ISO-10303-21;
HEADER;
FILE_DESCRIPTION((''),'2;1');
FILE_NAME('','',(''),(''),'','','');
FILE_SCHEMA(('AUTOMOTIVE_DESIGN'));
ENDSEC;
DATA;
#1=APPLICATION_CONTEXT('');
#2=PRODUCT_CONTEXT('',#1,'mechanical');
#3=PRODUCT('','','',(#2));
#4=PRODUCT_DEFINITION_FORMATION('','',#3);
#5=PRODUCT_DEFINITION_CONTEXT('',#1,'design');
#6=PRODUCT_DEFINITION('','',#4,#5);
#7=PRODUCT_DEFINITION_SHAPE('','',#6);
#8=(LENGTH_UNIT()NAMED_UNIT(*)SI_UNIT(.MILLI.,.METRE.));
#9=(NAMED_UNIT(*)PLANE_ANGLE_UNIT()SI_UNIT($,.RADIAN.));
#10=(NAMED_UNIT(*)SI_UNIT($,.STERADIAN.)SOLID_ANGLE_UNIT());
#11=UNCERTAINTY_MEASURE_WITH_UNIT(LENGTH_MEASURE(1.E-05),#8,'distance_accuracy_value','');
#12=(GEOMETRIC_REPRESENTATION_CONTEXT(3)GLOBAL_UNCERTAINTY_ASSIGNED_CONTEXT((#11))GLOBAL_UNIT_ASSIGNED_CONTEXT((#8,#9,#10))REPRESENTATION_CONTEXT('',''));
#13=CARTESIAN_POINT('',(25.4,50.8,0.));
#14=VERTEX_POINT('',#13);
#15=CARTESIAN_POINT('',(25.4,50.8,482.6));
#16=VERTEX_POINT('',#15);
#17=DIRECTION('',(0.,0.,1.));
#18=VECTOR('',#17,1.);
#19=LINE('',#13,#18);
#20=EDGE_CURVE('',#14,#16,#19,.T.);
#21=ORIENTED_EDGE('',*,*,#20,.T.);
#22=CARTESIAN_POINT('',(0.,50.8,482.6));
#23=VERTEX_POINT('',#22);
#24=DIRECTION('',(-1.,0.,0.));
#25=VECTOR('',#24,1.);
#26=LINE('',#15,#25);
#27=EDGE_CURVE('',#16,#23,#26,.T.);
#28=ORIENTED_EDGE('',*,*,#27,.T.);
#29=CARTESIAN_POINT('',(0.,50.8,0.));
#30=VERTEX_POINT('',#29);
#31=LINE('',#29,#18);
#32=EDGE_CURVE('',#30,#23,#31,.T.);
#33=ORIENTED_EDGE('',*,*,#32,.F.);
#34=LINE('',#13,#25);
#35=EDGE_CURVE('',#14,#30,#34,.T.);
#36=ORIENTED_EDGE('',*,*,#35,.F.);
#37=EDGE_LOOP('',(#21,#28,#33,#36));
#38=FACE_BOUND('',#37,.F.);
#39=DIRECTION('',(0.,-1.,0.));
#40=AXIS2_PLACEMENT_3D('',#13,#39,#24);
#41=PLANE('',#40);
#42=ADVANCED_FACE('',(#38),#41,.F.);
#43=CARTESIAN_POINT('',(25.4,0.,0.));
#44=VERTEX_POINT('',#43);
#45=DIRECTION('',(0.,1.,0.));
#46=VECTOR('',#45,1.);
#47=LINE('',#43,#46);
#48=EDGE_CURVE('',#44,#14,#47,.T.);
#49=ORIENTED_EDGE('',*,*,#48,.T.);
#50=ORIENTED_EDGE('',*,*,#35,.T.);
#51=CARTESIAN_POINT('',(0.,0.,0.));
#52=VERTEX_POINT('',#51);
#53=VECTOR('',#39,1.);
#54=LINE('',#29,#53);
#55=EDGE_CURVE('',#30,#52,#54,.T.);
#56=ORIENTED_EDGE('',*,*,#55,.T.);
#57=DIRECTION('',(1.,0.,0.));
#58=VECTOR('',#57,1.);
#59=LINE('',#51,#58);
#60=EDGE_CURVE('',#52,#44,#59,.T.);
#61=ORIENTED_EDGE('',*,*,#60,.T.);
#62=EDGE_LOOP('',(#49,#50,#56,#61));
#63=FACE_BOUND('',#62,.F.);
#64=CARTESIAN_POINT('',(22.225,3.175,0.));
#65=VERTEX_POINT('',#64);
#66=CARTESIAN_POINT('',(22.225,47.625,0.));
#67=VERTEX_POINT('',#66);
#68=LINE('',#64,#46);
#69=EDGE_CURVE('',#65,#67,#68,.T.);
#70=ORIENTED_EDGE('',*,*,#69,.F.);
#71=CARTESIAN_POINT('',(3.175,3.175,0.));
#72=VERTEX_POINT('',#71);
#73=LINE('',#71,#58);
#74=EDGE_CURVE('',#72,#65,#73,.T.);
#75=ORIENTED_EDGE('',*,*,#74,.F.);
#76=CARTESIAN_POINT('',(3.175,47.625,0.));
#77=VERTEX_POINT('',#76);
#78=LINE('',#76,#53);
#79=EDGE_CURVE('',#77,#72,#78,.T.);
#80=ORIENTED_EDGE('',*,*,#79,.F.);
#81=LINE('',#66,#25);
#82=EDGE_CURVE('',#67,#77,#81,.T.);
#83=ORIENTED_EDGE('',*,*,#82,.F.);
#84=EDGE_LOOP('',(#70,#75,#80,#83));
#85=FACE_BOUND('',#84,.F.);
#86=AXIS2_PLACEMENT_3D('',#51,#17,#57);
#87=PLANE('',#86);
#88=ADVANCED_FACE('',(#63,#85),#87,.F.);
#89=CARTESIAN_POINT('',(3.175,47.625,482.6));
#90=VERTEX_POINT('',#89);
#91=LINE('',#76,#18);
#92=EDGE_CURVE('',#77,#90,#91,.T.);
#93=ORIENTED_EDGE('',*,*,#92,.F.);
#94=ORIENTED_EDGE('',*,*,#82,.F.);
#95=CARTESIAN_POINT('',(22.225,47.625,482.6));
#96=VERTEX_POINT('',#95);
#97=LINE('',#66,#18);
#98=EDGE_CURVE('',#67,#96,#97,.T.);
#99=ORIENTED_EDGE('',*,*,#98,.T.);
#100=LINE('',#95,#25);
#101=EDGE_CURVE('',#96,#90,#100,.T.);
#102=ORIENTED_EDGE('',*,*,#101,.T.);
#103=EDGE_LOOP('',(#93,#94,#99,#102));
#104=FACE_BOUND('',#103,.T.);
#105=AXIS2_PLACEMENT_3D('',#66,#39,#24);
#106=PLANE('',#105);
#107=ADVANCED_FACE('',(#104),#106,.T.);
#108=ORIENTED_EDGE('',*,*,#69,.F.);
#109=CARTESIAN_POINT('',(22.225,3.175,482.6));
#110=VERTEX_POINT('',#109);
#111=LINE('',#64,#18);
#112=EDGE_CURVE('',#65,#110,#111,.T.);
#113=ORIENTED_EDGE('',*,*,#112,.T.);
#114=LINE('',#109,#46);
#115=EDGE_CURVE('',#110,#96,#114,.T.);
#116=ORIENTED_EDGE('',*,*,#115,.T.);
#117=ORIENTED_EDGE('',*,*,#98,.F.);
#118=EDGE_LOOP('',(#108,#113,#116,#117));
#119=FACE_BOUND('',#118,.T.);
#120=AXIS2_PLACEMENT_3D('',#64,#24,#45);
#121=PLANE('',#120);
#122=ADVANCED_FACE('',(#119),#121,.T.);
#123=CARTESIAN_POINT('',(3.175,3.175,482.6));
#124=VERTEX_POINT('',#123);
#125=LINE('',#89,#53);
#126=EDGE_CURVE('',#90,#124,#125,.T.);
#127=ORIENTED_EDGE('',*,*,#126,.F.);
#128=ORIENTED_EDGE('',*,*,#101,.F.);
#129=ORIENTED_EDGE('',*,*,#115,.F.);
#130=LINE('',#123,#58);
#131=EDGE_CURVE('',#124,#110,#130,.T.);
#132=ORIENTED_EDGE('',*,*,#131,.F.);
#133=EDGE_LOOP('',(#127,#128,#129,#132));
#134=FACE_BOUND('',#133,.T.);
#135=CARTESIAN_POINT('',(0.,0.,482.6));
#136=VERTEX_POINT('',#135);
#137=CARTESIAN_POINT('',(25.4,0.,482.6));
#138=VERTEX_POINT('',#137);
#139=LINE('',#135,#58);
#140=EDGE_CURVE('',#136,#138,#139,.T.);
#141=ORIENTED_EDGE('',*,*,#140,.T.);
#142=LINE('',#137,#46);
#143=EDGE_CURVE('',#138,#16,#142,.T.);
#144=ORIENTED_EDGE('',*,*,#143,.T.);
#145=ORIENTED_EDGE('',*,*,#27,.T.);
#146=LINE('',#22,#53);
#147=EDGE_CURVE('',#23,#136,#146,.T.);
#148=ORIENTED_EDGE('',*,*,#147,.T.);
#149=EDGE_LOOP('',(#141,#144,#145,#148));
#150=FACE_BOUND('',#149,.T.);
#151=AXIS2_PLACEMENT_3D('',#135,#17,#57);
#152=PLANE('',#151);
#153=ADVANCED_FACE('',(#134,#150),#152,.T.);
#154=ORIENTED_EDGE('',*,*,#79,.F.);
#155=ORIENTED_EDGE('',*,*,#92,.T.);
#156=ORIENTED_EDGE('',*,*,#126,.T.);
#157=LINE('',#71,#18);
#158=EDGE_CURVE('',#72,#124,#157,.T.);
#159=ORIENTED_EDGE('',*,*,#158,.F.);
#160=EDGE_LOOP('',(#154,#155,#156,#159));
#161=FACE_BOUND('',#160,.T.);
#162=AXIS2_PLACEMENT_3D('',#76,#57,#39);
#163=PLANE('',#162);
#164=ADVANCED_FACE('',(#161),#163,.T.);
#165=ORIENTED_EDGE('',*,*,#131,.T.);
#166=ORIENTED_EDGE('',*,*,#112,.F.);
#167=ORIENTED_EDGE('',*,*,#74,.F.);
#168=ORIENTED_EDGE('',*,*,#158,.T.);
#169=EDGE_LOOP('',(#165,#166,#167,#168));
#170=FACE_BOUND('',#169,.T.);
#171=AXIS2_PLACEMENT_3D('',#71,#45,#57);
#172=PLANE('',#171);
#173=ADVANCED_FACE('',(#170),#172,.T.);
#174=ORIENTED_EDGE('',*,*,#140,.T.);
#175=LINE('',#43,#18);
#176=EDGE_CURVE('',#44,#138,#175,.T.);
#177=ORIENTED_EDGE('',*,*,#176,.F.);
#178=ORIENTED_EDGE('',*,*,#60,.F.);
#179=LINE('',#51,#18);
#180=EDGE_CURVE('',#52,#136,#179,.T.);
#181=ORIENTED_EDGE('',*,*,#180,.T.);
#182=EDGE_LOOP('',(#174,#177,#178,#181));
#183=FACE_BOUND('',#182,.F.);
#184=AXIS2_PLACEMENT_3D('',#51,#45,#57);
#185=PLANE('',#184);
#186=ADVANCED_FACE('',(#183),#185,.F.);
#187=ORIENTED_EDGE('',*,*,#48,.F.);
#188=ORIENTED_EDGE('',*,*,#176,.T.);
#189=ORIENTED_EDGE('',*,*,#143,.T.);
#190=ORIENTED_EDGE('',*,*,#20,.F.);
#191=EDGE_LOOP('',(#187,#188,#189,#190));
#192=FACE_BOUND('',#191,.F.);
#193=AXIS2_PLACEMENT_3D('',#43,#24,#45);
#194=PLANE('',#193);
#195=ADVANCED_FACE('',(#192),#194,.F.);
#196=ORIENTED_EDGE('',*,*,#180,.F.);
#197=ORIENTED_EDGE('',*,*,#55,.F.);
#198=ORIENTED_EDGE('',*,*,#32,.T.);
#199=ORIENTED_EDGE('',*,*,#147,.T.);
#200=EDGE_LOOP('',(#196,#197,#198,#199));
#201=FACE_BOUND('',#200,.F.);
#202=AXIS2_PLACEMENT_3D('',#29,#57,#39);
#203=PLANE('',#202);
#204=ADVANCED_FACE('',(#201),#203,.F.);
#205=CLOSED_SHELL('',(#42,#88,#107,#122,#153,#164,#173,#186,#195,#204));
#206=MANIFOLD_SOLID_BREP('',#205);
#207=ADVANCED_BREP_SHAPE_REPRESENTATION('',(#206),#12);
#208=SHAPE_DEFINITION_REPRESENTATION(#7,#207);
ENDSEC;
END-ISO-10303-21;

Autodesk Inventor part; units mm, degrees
ref_plane "YZ Plane" through (0, 0, 0) normal (1, 0, 0) x (0, 1, 0)
ref_plane "XZ Plane" through (0, 0, 0) normal (0, 1, 0) x (-1, 0, 0)
ref_plane "XY Plane" through (0, 0, 0) normal (0, 0, 1) x (1, 0, 0)
sketch "Sketch1" plane through (0, 0, 0) normal (0, 0, 1) x (1, 0, 0)
  line L0 (0, 0) -> (25.4, 0)
  line L1 (25.4, 0) -> (25.4, 50.8)
  line L2 (25.4, 50.8) -> (0, 50.8)
  line L3 (0, 50.8) -> (0, 0)
  line L4 (3.175, 3.175) -> (22.225, 3.175)
  line L5 (22.225, 3.175) -> (22.225, 47.625)
  line L6 (22.225, 47.625) -> (3.175, 47.625)
  line L7 (3.175, 47.625) -> (3.175, 3.175)
  dimension "d0" = 25.4
  dimension "d1" = 50.8
  dimension "d2" = 3.175
extrude "Extrusion1" add sketch "Sketch1" along normal blind 482.6
properties part number "1x2x20" material "Aluminum 6061"
